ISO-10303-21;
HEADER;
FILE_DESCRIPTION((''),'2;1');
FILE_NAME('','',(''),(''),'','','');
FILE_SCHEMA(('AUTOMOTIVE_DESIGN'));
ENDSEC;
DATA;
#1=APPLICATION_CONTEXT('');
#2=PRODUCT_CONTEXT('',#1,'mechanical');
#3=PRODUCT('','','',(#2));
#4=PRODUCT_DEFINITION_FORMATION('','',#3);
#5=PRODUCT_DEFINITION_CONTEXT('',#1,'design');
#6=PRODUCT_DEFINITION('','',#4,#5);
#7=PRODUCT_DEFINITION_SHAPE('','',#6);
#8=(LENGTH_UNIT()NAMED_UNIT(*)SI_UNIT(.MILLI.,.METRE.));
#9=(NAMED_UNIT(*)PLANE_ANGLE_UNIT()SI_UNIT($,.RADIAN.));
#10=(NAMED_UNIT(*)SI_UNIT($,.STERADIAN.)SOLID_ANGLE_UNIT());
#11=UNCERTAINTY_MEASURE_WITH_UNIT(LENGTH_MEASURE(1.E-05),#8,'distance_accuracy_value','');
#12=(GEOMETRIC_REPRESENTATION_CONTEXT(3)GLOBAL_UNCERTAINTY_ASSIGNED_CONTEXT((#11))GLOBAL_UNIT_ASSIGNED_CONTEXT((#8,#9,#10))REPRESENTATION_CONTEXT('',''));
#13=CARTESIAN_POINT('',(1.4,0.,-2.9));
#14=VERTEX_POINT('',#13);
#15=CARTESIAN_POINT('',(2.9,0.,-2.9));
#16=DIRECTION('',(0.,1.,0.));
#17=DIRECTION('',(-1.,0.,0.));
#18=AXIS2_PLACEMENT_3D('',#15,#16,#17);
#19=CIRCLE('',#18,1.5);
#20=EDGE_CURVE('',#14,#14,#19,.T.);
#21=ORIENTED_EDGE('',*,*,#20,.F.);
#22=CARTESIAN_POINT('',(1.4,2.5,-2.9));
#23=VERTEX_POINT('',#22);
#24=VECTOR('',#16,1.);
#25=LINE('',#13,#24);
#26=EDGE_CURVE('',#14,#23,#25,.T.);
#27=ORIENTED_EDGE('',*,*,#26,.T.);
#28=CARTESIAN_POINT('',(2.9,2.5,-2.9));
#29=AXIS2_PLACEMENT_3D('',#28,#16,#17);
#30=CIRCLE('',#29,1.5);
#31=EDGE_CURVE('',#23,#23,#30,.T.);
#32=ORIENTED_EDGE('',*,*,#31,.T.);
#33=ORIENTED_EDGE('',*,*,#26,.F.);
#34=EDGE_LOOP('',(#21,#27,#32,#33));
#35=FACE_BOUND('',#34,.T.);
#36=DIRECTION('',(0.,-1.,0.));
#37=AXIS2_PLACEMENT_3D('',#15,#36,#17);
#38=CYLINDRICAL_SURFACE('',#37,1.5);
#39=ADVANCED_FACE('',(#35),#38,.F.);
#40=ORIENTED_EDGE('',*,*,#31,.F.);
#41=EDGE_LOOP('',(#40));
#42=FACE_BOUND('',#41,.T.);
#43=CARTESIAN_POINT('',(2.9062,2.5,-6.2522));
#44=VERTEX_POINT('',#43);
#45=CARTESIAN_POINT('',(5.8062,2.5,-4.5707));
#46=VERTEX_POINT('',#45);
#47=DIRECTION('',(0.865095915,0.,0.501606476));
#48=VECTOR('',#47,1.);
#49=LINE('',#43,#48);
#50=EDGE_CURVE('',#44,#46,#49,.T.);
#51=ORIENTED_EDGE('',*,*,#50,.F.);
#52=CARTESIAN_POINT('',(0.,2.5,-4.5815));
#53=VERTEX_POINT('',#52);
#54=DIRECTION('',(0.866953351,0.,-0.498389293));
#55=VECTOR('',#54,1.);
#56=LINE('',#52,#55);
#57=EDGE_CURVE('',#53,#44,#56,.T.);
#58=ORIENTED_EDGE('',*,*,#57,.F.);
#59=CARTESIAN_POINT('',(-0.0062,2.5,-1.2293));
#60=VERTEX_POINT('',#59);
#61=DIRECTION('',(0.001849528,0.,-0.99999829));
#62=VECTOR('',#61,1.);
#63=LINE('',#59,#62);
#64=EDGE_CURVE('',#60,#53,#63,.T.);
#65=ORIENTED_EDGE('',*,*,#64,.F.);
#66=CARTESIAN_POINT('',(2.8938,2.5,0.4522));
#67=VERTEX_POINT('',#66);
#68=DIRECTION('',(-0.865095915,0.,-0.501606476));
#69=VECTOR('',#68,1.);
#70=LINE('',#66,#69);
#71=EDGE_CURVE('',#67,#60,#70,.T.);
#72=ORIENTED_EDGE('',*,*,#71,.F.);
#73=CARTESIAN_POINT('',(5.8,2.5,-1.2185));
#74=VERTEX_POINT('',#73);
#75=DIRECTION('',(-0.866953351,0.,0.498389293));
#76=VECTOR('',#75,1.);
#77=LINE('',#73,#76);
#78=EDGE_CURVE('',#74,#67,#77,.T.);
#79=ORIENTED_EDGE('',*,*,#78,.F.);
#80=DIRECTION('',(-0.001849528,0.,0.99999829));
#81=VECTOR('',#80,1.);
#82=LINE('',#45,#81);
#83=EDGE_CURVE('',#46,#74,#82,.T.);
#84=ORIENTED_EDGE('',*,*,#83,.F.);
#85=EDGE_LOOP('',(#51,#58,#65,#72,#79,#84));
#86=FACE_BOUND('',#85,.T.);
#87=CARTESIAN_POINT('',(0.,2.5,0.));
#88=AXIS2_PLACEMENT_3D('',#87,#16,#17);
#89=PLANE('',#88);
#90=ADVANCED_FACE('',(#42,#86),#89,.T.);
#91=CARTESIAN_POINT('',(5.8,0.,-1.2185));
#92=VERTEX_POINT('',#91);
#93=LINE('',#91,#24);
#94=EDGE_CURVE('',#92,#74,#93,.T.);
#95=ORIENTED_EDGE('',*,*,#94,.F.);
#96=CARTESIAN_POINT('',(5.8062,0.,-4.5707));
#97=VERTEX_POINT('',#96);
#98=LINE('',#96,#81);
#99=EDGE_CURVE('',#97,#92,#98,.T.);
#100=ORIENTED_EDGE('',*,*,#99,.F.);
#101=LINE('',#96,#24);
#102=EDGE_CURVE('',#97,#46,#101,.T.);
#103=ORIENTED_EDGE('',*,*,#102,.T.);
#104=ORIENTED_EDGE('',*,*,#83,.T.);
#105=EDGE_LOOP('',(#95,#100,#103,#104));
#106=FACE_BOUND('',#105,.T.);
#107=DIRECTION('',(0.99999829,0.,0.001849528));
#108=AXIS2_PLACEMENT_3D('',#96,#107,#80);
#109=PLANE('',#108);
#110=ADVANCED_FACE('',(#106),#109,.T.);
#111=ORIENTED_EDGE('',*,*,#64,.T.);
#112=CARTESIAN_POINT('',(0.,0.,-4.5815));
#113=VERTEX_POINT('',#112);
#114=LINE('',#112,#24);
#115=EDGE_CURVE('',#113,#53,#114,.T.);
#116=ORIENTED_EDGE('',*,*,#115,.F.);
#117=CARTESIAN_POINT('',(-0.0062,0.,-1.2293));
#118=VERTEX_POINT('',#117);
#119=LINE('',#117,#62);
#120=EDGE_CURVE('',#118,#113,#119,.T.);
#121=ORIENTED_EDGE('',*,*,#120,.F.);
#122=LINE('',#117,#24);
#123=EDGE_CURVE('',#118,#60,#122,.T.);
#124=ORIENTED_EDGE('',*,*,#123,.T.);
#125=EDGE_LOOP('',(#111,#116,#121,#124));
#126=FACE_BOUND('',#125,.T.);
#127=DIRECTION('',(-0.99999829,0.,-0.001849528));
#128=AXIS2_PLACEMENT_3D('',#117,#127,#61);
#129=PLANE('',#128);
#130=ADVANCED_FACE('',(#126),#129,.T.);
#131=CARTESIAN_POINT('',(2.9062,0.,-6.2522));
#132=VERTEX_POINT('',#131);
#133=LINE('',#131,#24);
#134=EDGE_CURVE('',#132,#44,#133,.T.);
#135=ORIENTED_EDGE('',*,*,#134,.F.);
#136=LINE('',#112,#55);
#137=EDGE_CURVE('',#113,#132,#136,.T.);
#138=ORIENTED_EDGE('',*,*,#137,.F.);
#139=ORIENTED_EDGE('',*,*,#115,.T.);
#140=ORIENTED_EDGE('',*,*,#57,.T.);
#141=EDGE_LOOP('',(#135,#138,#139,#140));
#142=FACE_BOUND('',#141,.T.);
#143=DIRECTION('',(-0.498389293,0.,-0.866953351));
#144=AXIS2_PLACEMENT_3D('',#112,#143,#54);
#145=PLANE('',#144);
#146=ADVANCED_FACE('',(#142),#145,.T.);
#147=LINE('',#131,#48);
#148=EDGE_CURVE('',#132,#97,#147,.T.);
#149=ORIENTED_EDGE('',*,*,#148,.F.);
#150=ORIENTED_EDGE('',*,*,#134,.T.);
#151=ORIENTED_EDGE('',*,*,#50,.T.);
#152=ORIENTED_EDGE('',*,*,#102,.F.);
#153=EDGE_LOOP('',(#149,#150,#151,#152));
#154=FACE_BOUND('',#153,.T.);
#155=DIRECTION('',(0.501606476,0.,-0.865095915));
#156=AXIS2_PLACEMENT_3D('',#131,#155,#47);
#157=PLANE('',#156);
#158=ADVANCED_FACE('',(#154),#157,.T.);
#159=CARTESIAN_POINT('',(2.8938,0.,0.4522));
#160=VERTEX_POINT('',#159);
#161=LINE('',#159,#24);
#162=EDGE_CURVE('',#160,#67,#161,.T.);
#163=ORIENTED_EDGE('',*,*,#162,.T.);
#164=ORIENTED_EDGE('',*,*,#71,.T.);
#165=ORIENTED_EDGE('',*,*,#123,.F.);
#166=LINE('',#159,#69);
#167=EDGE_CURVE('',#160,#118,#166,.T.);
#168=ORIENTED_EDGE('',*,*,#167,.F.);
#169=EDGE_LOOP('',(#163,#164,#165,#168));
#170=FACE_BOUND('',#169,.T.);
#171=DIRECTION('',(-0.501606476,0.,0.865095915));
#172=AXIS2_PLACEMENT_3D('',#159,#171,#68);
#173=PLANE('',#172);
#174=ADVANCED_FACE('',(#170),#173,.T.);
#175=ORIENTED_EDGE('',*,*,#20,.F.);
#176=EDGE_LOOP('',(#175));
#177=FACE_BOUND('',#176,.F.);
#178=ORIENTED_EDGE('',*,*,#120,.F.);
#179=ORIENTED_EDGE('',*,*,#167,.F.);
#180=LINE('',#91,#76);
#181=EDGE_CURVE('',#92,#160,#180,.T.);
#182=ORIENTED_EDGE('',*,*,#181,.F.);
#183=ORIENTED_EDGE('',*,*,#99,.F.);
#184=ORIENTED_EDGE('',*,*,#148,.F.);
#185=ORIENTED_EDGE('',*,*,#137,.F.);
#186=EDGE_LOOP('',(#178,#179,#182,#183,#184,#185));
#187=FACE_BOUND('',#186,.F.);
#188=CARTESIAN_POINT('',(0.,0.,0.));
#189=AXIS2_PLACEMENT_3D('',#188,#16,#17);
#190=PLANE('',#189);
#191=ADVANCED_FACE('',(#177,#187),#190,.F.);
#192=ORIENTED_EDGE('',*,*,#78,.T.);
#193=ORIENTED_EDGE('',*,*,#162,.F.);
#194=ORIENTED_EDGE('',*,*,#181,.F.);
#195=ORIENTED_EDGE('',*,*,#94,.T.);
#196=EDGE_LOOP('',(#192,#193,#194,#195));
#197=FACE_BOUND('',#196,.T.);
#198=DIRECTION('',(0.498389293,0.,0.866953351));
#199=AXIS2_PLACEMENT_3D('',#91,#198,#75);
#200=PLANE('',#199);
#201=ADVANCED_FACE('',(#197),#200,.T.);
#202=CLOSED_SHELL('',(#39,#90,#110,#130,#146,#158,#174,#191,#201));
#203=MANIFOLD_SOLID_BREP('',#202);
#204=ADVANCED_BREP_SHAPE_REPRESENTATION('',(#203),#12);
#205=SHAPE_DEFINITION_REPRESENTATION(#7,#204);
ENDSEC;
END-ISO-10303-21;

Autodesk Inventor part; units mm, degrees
ref_plane "YZ Plane" through (0, 0, 0) normal (1, 0, 0) x (0, 1, 0)
ref_plane "XZ Plane" through (0, 0, 0) normal (0, 1, 0) x (-1, 0, 0)
ref_plane "XY Plane" through (0, 0, 0) normal (0, 0, 1) x (1, 0, 0)
sketch "Esboço1" plane through (0, 0, 0) normal (0, 1, 0) x (-1, 0, 0)
  line L0 (0, -4.5815) -> (-2.9062, -6.2522)
  line L1 (-2.9062, -6.2522) -> (-5.8062, -4.5707)
  line L2 (-5.8062, -4.5707) -> (-5.8, -1.2185)
  line L3 (-5.8, -1.2185) -> (-2.8938, 0.4522)
  line L4 (-2.8938, 0.4522) -> (0.0062, -1.2293)
  line L5 (0.0062, -1.2293) -> (0, -4.5815)
  circle A0 centre (-2.9, -2.9) radius 1.5
  point P0 (0, 0)
  dimension "d11" = 3
extrude "Extrusão1" add sketch "Esboço1" along normal blind 2.5
properties part number "Porca M3"
